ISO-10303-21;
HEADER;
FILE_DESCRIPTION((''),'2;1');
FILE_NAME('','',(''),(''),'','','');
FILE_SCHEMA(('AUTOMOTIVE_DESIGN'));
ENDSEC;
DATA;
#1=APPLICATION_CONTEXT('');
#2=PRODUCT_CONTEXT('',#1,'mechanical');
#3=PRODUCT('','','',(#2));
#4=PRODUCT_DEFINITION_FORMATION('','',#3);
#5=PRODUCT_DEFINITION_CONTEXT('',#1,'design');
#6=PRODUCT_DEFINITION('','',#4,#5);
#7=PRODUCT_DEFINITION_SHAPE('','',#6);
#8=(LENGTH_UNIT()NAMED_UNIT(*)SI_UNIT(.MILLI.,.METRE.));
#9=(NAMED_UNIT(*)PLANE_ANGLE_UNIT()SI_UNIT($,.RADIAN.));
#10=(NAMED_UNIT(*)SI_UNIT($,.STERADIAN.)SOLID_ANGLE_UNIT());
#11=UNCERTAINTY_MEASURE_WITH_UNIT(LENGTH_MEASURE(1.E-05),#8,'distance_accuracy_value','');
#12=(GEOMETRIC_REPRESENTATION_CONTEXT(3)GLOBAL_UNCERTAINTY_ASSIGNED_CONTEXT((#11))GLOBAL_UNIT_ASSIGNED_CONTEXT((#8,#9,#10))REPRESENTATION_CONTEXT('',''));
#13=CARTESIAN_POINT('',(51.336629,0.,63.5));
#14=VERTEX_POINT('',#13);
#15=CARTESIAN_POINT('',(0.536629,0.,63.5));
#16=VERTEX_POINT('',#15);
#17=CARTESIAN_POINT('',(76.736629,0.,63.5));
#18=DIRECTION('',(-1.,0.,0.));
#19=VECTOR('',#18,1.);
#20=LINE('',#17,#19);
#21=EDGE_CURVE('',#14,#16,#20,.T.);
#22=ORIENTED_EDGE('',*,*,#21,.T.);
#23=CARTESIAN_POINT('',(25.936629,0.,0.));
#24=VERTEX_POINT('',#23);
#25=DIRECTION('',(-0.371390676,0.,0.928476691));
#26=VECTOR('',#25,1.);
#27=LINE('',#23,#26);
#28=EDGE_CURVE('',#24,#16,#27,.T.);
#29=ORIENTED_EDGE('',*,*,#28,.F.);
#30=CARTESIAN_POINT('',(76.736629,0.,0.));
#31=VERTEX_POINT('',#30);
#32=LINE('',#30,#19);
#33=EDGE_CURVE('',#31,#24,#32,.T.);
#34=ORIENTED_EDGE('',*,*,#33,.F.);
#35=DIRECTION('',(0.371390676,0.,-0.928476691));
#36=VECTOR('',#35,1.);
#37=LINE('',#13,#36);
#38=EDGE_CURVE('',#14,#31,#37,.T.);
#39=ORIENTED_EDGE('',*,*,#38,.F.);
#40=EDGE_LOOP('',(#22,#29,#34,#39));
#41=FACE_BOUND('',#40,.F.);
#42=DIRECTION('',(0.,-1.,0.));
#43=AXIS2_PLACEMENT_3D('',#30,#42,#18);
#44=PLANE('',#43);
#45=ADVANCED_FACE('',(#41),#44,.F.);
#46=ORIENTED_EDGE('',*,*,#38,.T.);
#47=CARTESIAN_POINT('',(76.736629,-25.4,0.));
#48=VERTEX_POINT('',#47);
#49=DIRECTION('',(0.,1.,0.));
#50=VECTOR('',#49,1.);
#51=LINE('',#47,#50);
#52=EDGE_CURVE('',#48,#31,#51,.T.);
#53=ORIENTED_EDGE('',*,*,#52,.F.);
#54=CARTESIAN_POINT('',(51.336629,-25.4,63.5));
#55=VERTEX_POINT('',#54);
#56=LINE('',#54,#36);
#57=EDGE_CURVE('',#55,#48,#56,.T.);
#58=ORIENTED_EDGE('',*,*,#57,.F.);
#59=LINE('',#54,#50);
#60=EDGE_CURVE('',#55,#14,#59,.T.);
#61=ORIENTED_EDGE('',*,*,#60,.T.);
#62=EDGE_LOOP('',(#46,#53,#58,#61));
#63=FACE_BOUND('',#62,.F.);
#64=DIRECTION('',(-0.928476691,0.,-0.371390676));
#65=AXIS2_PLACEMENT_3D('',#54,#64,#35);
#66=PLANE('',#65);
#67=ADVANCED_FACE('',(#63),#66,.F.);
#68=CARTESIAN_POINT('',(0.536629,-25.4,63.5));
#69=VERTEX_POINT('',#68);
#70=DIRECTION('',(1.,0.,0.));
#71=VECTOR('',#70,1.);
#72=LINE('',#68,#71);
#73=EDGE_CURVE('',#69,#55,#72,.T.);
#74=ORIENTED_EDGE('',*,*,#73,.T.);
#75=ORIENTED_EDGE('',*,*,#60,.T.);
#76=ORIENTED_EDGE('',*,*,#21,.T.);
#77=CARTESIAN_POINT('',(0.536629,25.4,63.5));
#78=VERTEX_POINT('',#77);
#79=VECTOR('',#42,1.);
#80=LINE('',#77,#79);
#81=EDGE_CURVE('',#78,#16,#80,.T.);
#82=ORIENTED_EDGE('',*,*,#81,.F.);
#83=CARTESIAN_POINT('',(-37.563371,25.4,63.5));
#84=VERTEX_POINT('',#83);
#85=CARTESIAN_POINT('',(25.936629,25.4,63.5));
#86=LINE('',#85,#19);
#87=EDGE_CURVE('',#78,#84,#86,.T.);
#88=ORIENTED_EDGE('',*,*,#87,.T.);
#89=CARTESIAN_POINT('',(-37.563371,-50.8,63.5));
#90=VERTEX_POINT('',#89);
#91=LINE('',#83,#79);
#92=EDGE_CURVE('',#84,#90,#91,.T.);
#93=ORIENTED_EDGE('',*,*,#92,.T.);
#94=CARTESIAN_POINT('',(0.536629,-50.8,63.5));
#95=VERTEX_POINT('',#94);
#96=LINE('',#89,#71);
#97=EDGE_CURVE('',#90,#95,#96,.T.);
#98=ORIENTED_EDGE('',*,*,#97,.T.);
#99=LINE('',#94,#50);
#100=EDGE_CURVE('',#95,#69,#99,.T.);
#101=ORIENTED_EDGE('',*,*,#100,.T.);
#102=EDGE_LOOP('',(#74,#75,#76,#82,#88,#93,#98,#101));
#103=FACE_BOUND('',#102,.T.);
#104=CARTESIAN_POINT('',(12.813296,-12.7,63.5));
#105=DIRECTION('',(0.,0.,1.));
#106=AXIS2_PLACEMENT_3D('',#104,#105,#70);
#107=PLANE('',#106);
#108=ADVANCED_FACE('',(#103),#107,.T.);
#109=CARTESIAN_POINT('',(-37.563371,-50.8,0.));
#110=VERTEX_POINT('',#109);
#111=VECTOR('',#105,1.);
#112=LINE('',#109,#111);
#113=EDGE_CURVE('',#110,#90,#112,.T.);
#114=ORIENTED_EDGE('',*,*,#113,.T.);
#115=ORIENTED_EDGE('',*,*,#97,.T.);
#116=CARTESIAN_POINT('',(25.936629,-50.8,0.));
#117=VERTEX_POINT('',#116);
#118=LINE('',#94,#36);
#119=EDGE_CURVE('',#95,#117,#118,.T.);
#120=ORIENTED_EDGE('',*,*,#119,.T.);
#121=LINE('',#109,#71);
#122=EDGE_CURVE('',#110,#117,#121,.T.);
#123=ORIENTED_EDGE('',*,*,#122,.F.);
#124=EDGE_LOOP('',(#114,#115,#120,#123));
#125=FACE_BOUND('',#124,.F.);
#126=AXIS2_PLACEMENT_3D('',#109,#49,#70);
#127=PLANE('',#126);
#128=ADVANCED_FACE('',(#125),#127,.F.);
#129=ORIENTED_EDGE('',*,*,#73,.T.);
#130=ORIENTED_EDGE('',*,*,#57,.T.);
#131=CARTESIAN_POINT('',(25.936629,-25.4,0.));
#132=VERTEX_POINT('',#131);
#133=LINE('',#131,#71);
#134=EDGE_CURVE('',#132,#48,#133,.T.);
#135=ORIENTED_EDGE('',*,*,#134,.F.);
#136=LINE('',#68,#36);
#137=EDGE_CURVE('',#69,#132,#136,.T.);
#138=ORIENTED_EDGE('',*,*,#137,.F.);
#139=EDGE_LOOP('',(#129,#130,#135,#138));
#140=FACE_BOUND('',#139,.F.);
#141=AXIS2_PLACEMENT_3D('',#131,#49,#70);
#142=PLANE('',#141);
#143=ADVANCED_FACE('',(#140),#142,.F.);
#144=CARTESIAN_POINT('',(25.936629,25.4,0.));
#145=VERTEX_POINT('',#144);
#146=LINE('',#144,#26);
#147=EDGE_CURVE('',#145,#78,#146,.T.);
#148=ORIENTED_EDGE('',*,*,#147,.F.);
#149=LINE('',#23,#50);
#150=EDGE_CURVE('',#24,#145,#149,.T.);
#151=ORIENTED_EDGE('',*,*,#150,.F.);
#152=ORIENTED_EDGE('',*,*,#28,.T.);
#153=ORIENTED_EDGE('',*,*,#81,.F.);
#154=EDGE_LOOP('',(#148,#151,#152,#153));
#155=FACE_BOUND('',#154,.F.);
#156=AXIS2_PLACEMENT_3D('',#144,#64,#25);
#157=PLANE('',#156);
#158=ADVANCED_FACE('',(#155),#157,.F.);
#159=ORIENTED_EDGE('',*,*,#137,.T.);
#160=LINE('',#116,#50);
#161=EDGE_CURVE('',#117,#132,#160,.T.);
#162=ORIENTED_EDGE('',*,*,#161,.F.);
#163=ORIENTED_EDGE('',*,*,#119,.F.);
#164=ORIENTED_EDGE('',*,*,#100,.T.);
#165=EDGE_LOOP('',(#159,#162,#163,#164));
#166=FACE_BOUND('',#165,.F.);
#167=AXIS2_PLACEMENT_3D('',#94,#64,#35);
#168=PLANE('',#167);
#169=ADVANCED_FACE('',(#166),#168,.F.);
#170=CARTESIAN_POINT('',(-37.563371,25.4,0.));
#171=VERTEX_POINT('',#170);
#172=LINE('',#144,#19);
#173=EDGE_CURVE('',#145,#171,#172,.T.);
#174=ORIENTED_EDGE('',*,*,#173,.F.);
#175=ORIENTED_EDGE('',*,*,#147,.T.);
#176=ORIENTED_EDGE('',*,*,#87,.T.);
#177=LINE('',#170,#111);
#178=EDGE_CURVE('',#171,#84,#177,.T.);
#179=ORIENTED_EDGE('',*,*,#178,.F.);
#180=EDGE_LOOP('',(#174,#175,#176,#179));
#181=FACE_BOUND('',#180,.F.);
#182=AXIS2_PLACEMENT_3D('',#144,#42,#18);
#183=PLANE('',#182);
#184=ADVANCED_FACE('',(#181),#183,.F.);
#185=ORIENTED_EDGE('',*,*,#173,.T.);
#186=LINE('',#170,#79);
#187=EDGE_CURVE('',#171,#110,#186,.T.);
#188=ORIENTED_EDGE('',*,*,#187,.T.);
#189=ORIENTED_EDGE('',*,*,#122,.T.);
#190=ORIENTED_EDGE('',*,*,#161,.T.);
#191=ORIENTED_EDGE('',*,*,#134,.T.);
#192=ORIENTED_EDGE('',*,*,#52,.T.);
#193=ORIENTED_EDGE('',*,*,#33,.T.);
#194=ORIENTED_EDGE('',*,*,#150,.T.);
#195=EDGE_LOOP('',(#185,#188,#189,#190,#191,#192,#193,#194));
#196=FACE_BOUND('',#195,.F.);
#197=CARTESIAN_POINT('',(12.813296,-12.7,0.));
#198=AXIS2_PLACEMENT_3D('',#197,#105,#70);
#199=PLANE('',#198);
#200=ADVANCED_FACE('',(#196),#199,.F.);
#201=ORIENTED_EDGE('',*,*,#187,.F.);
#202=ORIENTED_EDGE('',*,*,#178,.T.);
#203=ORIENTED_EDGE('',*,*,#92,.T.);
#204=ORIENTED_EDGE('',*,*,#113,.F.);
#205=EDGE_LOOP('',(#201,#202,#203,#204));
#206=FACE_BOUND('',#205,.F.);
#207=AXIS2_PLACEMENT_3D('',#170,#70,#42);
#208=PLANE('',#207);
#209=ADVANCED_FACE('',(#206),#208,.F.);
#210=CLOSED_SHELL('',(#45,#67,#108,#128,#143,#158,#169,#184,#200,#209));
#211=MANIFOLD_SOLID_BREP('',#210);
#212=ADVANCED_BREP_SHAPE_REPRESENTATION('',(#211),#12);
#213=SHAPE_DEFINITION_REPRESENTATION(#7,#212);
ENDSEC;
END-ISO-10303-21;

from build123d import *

# Parameters (mm, degrees)
F1_DEPTH = 63.5
F3_DEPTH = 25.4
F5_DEPTH = 25.4
F7_DEPTH = 25.4


with BuildPart() as f1:
    # F0 (on Top) → F1 (new body)
    with BuildSketch(Plane.XY):
        Polygon((-37.563371, 25.4), (-37.563371, -50.8), (25.936629, -50.8), (25.936629, -25.4), (76.736629, -25.4), (76.736629, 0), (25.936629, 0), (25.936629, 25.4), align=None)
    extrude(amount=F1_DEPTH)

    # F2 (on face) → F3 (cut)
    with BuildSketch(Plane.XZ.offset(50.8)):
        Polygon((25.936629, 63.5), (0.536629, 63.5), (25.936629, 0), align=None)
    extrude(amount=-F3_DEPTH, mode=Mode.SUBTRACT)

    # F4 (on face) → F5 (cut)
    with BuildSketch(Plane(origin=(0, 25.4, 0), x_dir=(-1, 0, 0), z_dir=(0, 1, 0))):
        Polygon((-0.536629, 63.5), (-25.936629, 63.5), (-25.936629, 0), align=None)
    extrude(amount=-F5_DEPTH, mode=Mode.SUBTRACT)

    # F6 (on face) → F7 (cut)
    with BuildSketch(Plane.XZ.offset(25.4)):
        Polygon((76.736629, 0), (76.736629, 63.5), (51.336629, 63.5), align=None)
    extrude(amount=-F7_DEPTH, mode=Mode.SUBTRACT)


solid = f1.part
